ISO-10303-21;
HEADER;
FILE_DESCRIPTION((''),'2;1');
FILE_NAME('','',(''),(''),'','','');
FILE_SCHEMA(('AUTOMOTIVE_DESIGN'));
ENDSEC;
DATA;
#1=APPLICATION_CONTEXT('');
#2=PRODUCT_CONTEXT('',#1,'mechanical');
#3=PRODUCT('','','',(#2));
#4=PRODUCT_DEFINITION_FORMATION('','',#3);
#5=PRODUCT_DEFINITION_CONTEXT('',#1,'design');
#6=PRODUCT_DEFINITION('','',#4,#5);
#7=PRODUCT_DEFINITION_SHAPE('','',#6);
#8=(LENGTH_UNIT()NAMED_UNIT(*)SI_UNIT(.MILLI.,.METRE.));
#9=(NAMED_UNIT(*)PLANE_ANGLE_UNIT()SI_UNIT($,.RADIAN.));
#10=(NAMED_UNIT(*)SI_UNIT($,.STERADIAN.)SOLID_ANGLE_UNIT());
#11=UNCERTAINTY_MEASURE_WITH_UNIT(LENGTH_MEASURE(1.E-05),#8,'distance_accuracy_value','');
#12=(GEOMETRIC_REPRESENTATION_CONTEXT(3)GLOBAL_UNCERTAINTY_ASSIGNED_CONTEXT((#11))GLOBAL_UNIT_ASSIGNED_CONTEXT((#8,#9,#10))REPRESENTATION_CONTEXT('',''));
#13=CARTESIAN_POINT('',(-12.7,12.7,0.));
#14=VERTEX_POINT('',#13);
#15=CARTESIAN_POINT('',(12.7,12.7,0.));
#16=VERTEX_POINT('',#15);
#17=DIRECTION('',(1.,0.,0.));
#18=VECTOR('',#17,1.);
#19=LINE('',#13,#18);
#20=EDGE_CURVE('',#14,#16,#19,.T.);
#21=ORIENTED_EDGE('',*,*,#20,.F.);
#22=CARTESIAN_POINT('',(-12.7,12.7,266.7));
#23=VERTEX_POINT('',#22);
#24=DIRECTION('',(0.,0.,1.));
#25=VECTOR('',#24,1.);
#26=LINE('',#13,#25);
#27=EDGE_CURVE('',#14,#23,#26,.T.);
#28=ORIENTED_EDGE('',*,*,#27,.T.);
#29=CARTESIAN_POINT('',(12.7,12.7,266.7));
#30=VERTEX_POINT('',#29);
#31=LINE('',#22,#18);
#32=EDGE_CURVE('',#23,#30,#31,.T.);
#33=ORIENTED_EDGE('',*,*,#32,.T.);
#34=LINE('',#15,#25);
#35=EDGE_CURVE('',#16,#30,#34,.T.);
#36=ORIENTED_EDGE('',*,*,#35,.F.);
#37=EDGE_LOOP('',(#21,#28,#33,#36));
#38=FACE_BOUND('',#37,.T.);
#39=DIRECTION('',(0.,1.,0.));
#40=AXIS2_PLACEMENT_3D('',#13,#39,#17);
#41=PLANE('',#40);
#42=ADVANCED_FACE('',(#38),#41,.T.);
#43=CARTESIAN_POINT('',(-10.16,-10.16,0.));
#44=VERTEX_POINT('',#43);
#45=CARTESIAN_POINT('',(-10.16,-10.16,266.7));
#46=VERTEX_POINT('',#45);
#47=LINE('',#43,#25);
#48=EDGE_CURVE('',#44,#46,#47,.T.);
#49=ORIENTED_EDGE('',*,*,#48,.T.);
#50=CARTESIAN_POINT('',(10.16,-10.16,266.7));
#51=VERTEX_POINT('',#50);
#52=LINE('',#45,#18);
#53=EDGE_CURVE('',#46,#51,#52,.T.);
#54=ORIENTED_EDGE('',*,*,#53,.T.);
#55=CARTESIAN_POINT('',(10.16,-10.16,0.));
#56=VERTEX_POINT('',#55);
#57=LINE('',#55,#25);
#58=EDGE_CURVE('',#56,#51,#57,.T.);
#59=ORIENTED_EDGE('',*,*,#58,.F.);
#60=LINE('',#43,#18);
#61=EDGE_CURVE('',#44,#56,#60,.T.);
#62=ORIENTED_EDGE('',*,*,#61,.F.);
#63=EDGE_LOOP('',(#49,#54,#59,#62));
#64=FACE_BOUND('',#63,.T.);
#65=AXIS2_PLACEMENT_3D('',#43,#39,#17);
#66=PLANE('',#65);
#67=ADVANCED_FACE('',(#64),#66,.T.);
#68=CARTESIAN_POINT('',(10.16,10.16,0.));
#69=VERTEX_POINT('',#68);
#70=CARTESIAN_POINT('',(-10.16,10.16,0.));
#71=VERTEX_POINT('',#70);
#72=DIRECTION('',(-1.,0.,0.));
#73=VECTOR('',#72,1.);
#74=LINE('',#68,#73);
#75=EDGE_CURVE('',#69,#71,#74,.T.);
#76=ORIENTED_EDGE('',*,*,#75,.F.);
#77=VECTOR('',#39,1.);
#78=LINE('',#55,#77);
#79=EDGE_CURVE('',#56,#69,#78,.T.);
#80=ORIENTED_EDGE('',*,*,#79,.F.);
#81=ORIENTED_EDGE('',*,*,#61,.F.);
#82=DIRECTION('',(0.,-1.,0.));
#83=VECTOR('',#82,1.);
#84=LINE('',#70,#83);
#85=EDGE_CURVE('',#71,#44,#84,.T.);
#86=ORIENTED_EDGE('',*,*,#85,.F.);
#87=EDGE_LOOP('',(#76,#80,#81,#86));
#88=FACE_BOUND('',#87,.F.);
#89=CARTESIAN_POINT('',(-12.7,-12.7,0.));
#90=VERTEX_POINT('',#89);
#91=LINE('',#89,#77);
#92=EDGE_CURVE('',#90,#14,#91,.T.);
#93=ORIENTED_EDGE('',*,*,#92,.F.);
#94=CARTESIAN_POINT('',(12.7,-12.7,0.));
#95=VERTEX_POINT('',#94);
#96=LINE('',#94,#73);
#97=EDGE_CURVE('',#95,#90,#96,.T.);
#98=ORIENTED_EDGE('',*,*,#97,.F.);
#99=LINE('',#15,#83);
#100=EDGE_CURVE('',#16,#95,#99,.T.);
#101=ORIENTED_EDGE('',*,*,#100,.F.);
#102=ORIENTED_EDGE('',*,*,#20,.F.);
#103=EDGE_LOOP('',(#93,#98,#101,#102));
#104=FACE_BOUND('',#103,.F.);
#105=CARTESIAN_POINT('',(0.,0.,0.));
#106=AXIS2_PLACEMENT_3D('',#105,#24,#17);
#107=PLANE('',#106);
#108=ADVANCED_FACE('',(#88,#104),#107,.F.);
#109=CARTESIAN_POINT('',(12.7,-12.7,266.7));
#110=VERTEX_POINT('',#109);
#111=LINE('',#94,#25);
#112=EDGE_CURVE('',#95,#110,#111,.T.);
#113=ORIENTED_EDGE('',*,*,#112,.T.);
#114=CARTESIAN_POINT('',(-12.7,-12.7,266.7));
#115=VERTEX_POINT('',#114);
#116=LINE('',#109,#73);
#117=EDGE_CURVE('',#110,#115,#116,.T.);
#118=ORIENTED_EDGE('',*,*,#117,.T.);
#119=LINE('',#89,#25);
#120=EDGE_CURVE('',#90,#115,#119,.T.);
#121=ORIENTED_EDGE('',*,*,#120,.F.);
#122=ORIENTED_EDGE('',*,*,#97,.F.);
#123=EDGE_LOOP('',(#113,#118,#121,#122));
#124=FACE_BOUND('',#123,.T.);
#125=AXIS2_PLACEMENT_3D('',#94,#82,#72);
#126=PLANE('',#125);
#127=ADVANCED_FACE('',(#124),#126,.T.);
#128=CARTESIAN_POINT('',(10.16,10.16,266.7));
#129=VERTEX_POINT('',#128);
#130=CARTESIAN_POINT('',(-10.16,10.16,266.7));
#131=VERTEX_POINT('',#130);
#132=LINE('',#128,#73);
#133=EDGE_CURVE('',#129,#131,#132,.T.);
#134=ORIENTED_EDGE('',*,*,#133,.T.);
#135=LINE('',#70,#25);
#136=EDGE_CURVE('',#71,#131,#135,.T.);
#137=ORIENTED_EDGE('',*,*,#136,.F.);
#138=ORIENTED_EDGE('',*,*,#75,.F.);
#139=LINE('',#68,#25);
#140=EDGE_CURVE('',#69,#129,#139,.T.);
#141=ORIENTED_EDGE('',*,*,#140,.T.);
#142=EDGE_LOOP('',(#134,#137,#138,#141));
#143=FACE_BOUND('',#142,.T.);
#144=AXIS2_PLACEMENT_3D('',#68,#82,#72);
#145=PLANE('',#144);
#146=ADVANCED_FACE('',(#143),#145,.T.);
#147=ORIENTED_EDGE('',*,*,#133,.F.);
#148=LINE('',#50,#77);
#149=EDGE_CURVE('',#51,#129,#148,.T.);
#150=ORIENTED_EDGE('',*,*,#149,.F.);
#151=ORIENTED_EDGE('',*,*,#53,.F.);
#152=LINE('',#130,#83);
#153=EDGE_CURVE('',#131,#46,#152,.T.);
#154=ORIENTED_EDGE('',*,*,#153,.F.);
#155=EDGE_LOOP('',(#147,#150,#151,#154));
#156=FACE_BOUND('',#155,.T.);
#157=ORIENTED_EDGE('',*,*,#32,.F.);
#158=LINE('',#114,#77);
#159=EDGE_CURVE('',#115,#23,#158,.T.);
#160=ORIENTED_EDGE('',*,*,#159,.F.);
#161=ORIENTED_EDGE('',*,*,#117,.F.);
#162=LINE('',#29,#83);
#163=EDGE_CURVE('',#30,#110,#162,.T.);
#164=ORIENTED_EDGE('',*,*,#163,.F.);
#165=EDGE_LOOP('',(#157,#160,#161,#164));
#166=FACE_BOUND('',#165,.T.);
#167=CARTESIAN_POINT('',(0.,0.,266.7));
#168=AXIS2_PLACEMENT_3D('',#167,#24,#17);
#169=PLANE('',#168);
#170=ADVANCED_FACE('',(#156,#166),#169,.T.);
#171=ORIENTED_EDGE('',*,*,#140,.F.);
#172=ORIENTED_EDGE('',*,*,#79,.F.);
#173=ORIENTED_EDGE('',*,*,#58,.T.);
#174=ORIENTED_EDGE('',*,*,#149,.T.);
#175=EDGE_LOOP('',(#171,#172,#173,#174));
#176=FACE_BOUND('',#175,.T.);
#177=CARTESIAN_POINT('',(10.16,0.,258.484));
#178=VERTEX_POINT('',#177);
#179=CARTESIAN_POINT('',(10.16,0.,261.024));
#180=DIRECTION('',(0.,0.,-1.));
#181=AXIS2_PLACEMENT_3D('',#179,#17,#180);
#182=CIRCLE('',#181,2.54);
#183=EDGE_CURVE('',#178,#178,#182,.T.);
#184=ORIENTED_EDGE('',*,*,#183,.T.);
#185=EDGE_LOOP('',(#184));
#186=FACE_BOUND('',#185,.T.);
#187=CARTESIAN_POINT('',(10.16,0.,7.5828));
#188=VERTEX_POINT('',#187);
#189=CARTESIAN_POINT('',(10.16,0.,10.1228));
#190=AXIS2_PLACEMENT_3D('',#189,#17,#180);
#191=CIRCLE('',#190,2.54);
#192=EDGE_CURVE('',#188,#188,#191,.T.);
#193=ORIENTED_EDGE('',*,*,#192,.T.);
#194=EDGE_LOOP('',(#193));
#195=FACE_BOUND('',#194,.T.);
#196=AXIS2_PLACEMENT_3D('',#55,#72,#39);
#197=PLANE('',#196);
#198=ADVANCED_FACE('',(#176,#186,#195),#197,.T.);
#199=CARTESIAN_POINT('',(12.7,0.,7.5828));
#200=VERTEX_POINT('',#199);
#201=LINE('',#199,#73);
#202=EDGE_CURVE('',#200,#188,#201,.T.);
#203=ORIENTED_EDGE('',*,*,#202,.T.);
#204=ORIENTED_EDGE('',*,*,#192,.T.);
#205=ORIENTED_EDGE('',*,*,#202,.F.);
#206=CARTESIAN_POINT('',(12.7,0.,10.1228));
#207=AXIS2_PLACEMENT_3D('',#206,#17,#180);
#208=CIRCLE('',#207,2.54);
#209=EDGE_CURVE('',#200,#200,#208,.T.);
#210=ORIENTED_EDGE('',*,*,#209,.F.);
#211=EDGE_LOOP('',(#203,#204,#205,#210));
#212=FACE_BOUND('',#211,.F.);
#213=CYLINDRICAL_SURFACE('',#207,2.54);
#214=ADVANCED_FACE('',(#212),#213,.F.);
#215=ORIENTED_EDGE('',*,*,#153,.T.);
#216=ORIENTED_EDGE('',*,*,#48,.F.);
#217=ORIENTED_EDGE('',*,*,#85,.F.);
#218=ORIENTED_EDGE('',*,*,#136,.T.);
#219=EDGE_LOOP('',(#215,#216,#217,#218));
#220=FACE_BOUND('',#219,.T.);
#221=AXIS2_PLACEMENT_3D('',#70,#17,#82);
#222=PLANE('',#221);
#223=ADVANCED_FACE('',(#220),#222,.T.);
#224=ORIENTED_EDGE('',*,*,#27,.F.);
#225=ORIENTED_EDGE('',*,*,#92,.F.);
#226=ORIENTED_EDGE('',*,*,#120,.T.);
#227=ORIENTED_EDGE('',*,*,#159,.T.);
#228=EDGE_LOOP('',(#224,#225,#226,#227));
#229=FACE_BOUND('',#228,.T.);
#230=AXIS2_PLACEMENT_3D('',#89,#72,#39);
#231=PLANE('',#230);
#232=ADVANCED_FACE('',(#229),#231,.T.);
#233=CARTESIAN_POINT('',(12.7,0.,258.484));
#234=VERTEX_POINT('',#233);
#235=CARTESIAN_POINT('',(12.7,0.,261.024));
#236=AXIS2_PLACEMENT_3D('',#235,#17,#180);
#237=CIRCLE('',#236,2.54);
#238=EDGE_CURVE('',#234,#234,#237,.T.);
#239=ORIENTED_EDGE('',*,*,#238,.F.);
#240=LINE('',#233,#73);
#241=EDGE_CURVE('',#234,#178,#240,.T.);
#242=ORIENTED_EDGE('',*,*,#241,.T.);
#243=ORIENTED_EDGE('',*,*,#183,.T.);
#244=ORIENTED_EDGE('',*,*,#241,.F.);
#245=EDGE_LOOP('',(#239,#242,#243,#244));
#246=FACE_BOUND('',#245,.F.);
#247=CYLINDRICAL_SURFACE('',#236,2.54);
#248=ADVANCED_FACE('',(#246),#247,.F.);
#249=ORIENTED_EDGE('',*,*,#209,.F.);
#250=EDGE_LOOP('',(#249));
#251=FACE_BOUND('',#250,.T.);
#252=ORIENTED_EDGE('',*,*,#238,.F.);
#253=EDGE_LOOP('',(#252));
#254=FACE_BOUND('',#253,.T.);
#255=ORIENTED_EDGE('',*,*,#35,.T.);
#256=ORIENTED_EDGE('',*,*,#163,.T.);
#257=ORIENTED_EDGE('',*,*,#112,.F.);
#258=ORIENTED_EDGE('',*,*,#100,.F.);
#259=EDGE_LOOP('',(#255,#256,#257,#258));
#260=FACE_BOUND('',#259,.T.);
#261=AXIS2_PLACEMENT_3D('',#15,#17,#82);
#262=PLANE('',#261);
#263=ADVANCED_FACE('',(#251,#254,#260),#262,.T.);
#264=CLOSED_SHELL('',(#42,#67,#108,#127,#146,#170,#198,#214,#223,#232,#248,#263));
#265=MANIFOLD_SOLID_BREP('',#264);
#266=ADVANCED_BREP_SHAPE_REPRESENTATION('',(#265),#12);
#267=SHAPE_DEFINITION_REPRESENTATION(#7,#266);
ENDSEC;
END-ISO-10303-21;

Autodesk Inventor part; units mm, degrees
ref_plane "YZ Plane" through (0, 0, 0) normal (1, 0, 0) x (0, 1, 0)
ref_plane "XZ Plane" through (0, 0, 0) normal (0, 1, 0) x (-1, 0, 0)
ref_plane "XY Plane" through (0, 0, 0) normal (0, 0, 1) x (1, 0, 0)
sketch "Sketch1" plane through (0, 0, 0) normal (0, 0, 1) x (1, 0, 0)
  line L0 (12.7, -12.7) -> (-12.7, -12.7)
  line L1 (-12.7, -12.7) -> (-12.7, 12.7)
  line L2 (-12.7, 12.7) -> (12.7, 12.7)
  line L3 (12.7, 12.7) -> (12.7, -12.7)
  line L4 (12.7, -12.7) -> (-12.7, 12.7) construction
  line L5 (-12.7, -12.7) -> (12.7, 12.7) construction
  line L6 (10.16, 10.16) -> (-10.16, 10.16)
  line L7 (-10.16, 10.16) -> (-10.16, -10.16)
  line L8 (-10.16, -10.16) -> (10.16, -10.16)
  line L9 (10.16, -10.16) -> (10.16, 10.16)
  line L10 (10.16, 10.16) -> (-10.16, -10.16) construction
  line L11 (-10.16, 10.16) -> (10.16, -10.16) construction
  point P0 (0, 0)
  dimension "d0" = 25.4
  dimension "d1" = 25.4
  dimension "d2" = 2.54
  dimension "d3" = 2.54
extrude "Extrusion1" add sketch "Sketch1" along normal blind 266.7
sketch "Sketch2" plane through (12.7, -12.7, 0) normal (1, 0, 0) x (0, 0, -1)
  circle A0 centre (-10.1228, 12.7) radius 2.54
  circle A1 centre (-261.024, 12.7) radius 2.54
  line L0 (0, 25.4) -> (0, 0) projected
  line L1 (-266.7, 0) -> (-266.7, 25.4) projected
  line L2 (0, 0) -> (-266.7, 0) projected
  point P0 (0, 12.7)
  dimension "d6" = 250.9012
  dimension "d7" = 5.08
  dimension "d8" = 5.08
  dimension "d15" = 12.7
  dimension "d16" = 12.7
extrude "Extrusion2" cut sketch "Sketch2" against normal blind 2.54
equation "\"d3\" = d2"
equation "\"d8\" = d7"
properties part number "push bar"
